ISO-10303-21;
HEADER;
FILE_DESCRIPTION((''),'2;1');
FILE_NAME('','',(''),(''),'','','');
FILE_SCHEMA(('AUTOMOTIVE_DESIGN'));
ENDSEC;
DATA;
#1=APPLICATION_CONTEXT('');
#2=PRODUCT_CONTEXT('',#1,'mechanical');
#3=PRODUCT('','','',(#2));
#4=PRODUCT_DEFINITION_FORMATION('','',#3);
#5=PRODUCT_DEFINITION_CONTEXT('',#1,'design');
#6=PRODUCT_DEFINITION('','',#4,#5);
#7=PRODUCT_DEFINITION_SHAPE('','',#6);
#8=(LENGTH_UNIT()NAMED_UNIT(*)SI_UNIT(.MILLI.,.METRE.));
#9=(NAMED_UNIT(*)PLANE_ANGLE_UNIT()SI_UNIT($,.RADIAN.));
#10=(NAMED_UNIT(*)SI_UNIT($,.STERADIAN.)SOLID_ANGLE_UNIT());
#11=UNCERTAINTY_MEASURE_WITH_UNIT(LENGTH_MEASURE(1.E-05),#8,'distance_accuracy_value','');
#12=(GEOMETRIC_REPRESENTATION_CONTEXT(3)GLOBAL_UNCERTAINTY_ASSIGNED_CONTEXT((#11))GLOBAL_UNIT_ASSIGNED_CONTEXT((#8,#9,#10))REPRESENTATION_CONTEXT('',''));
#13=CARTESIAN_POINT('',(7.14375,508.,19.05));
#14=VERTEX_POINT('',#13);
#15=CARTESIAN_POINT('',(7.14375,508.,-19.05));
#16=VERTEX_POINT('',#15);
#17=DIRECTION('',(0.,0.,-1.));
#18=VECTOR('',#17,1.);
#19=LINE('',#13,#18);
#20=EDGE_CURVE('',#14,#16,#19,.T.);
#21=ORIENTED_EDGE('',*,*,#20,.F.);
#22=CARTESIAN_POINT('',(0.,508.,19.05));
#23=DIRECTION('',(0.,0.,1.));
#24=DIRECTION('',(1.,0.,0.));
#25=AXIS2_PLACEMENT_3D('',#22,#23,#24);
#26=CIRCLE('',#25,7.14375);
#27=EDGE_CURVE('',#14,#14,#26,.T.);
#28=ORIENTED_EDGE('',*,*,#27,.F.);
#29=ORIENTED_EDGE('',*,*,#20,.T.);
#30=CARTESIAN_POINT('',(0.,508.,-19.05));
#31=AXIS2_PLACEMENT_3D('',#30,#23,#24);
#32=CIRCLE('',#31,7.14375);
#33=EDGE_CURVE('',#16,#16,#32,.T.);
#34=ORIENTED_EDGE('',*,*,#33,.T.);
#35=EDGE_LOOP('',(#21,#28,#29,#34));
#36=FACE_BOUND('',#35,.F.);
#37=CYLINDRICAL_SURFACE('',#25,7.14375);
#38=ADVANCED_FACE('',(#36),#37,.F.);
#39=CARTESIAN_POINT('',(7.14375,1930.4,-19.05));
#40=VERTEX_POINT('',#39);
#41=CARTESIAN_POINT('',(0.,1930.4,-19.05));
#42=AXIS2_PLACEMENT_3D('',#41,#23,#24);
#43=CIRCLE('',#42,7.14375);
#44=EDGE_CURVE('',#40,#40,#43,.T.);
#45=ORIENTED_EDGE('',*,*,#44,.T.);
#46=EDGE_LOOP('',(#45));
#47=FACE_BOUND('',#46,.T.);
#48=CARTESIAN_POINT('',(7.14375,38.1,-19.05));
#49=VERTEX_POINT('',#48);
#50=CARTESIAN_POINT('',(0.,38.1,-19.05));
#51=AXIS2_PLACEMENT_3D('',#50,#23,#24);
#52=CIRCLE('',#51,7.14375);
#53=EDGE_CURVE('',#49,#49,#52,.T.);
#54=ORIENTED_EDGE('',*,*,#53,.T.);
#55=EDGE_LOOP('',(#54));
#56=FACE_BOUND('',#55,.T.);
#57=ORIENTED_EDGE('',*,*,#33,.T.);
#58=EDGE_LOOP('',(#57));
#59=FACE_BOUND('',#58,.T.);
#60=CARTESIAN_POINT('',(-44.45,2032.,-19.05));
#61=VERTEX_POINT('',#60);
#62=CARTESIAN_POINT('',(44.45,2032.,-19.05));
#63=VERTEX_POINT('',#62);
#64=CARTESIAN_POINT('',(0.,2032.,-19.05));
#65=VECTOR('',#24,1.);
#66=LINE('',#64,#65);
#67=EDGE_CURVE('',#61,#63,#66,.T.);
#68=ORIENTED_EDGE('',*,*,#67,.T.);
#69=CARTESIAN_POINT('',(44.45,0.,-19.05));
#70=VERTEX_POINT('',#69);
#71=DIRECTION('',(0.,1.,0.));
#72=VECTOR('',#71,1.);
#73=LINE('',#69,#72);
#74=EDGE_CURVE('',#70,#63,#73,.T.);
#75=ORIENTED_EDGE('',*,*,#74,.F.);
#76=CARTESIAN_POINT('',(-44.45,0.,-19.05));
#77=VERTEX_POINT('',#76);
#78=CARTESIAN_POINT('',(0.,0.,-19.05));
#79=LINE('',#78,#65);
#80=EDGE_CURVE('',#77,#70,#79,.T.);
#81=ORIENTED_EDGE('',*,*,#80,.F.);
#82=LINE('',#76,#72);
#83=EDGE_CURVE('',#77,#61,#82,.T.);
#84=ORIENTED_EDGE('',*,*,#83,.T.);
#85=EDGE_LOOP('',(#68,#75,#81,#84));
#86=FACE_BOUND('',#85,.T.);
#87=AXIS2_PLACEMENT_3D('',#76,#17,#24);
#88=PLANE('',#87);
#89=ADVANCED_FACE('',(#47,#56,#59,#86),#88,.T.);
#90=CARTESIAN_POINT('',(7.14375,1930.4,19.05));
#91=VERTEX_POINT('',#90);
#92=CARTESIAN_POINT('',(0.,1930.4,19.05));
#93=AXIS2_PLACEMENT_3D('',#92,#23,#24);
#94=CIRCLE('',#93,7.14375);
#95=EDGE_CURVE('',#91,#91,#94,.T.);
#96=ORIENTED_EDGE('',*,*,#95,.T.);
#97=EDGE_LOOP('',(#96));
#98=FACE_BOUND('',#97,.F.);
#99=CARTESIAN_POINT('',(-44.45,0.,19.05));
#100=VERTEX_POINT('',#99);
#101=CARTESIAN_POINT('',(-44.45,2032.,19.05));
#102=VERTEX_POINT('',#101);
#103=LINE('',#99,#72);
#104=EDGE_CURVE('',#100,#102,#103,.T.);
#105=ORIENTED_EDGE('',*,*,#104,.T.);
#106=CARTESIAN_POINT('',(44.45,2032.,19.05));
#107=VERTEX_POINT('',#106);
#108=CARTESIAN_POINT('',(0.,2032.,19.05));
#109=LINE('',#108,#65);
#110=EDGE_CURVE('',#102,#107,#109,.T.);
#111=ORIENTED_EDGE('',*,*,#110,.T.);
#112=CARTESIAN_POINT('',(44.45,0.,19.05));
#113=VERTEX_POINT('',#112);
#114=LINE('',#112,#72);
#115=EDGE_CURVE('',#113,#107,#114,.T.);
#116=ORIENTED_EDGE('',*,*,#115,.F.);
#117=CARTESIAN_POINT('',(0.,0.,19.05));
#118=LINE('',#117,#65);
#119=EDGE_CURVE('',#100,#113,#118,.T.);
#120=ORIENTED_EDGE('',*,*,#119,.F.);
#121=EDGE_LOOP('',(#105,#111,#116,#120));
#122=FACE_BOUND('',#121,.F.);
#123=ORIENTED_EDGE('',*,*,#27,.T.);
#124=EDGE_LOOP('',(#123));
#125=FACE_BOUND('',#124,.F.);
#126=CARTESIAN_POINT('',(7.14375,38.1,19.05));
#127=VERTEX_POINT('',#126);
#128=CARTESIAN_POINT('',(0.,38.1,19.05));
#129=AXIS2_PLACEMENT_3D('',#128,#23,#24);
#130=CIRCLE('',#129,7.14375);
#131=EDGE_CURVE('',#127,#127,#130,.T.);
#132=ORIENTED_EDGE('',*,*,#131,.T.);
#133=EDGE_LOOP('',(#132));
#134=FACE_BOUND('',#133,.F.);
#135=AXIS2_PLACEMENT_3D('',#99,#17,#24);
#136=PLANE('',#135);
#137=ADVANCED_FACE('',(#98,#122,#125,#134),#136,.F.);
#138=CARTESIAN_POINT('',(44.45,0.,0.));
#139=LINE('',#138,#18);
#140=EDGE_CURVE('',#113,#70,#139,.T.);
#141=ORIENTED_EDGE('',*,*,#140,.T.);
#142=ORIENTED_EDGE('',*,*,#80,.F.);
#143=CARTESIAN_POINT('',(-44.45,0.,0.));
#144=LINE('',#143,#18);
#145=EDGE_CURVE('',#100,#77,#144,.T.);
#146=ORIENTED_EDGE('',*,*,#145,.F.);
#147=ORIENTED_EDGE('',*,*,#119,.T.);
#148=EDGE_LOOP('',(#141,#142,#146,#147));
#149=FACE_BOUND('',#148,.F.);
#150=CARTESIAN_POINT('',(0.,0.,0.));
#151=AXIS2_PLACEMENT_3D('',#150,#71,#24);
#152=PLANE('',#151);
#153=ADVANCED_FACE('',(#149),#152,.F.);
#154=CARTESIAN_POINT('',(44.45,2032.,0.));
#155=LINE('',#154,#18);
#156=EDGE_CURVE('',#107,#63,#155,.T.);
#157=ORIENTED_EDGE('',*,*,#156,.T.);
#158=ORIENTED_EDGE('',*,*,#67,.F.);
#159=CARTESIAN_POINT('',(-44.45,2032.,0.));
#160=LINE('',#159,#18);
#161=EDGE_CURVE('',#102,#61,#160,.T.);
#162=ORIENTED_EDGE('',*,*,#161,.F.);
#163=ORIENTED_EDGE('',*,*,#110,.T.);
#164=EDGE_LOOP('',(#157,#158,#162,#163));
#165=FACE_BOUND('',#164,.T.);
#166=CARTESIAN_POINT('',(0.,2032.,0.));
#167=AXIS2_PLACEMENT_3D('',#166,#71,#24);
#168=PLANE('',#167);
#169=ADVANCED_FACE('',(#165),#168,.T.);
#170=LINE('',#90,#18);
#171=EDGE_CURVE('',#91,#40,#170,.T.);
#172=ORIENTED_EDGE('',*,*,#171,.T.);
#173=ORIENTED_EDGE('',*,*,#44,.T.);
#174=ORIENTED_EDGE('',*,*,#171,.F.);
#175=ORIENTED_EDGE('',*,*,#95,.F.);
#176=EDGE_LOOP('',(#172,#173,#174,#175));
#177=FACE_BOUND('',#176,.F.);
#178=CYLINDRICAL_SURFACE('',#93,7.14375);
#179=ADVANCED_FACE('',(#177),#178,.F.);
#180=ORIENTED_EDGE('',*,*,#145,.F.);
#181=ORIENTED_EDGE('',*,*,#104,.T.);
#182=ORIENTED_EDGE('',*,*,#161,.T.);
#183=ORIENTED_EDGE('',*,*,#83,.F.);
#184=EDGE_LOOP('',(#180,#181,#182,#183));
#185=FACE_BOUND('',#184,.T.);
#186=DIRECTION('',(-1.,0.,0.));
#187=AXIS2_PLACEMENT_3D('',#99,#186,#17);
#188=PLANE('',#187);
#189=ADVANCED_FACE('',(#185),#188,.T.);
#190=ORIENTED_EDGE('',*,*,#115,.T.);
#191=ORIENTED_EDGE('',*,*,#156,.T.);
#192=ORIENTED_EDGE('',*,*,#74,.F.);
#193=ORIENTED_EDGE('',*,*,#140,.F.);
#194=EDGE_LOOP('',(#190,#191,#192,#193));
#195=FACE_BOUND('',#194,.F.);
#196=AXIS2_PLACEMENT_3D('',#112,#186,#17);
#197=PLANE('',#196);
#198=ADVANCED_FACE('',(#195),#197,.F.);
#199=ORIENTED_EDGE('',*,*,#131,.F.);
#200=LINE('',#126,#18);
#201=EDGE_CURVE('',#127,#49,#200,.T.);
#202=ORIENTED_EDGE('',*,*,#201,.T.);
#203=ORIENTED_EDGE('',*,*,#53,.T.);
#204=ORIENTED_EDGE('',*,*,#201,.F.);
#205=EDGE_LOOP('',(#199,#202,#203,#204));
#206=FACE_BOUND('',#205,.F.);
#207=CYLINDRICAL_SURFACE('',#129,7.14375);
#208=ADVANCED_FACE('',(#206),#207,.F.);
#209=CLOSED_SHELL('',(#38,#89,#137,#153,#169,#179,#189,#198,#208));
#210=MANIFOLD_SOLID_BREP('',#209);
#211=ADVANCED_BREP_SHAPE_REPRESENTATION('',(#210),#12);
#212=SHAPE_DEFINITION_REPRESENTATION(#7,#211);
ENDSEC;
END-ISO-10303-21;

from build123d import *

# Parameters (mm, degrees)
SKETCH1_W               = 88.9
SKETCH1_H               = 38.1
BOSS_EXTRUDE1_DEPTH     = 2032
SKETCH2_R               = 7.14375
CUT_EXTRUDE1_DEPTH      = 1
CUT_EXTRUDE1_DEPTH_BACK = 39.1


with BuildPart() as part:
    # Sketch1 → Boss-Extrude1 (new body)
    with BuildSketch(Plane(origin=(0, 0, 0), x_dir=(1, 0, 0), z_dir=(0, 1, 0))):
        Rectangle(SKETCH1_W, SKETCH1_H)
    extrude(amount=BOSS_EXTRUDE1_DEPTH)

    # Sketch2 → Cut-Extrude1 (cut, two sides)
    with BuildSketch(Plane.XY.offset(19.05)) as cut_extrude1_sk:
        with Locations((0, 38.1)):
            Circle(SKETCH2_R)
        with Locations((0, 508)):
            Circle(SKETCH2_R)
        with Locations((0, 1930.4)):
            Circle(SKETCH2_R)
    extrude(amount=CUT_EXTRUDE1_DEPTH, mode=Mode.SUBTRACT)
    extrude(cut_extrude1_sk.sketch, amount=-CUT_EXTRUDE1_DEPTH_BACK, mode=Mode.SUBTRACT)


solid = part.part
